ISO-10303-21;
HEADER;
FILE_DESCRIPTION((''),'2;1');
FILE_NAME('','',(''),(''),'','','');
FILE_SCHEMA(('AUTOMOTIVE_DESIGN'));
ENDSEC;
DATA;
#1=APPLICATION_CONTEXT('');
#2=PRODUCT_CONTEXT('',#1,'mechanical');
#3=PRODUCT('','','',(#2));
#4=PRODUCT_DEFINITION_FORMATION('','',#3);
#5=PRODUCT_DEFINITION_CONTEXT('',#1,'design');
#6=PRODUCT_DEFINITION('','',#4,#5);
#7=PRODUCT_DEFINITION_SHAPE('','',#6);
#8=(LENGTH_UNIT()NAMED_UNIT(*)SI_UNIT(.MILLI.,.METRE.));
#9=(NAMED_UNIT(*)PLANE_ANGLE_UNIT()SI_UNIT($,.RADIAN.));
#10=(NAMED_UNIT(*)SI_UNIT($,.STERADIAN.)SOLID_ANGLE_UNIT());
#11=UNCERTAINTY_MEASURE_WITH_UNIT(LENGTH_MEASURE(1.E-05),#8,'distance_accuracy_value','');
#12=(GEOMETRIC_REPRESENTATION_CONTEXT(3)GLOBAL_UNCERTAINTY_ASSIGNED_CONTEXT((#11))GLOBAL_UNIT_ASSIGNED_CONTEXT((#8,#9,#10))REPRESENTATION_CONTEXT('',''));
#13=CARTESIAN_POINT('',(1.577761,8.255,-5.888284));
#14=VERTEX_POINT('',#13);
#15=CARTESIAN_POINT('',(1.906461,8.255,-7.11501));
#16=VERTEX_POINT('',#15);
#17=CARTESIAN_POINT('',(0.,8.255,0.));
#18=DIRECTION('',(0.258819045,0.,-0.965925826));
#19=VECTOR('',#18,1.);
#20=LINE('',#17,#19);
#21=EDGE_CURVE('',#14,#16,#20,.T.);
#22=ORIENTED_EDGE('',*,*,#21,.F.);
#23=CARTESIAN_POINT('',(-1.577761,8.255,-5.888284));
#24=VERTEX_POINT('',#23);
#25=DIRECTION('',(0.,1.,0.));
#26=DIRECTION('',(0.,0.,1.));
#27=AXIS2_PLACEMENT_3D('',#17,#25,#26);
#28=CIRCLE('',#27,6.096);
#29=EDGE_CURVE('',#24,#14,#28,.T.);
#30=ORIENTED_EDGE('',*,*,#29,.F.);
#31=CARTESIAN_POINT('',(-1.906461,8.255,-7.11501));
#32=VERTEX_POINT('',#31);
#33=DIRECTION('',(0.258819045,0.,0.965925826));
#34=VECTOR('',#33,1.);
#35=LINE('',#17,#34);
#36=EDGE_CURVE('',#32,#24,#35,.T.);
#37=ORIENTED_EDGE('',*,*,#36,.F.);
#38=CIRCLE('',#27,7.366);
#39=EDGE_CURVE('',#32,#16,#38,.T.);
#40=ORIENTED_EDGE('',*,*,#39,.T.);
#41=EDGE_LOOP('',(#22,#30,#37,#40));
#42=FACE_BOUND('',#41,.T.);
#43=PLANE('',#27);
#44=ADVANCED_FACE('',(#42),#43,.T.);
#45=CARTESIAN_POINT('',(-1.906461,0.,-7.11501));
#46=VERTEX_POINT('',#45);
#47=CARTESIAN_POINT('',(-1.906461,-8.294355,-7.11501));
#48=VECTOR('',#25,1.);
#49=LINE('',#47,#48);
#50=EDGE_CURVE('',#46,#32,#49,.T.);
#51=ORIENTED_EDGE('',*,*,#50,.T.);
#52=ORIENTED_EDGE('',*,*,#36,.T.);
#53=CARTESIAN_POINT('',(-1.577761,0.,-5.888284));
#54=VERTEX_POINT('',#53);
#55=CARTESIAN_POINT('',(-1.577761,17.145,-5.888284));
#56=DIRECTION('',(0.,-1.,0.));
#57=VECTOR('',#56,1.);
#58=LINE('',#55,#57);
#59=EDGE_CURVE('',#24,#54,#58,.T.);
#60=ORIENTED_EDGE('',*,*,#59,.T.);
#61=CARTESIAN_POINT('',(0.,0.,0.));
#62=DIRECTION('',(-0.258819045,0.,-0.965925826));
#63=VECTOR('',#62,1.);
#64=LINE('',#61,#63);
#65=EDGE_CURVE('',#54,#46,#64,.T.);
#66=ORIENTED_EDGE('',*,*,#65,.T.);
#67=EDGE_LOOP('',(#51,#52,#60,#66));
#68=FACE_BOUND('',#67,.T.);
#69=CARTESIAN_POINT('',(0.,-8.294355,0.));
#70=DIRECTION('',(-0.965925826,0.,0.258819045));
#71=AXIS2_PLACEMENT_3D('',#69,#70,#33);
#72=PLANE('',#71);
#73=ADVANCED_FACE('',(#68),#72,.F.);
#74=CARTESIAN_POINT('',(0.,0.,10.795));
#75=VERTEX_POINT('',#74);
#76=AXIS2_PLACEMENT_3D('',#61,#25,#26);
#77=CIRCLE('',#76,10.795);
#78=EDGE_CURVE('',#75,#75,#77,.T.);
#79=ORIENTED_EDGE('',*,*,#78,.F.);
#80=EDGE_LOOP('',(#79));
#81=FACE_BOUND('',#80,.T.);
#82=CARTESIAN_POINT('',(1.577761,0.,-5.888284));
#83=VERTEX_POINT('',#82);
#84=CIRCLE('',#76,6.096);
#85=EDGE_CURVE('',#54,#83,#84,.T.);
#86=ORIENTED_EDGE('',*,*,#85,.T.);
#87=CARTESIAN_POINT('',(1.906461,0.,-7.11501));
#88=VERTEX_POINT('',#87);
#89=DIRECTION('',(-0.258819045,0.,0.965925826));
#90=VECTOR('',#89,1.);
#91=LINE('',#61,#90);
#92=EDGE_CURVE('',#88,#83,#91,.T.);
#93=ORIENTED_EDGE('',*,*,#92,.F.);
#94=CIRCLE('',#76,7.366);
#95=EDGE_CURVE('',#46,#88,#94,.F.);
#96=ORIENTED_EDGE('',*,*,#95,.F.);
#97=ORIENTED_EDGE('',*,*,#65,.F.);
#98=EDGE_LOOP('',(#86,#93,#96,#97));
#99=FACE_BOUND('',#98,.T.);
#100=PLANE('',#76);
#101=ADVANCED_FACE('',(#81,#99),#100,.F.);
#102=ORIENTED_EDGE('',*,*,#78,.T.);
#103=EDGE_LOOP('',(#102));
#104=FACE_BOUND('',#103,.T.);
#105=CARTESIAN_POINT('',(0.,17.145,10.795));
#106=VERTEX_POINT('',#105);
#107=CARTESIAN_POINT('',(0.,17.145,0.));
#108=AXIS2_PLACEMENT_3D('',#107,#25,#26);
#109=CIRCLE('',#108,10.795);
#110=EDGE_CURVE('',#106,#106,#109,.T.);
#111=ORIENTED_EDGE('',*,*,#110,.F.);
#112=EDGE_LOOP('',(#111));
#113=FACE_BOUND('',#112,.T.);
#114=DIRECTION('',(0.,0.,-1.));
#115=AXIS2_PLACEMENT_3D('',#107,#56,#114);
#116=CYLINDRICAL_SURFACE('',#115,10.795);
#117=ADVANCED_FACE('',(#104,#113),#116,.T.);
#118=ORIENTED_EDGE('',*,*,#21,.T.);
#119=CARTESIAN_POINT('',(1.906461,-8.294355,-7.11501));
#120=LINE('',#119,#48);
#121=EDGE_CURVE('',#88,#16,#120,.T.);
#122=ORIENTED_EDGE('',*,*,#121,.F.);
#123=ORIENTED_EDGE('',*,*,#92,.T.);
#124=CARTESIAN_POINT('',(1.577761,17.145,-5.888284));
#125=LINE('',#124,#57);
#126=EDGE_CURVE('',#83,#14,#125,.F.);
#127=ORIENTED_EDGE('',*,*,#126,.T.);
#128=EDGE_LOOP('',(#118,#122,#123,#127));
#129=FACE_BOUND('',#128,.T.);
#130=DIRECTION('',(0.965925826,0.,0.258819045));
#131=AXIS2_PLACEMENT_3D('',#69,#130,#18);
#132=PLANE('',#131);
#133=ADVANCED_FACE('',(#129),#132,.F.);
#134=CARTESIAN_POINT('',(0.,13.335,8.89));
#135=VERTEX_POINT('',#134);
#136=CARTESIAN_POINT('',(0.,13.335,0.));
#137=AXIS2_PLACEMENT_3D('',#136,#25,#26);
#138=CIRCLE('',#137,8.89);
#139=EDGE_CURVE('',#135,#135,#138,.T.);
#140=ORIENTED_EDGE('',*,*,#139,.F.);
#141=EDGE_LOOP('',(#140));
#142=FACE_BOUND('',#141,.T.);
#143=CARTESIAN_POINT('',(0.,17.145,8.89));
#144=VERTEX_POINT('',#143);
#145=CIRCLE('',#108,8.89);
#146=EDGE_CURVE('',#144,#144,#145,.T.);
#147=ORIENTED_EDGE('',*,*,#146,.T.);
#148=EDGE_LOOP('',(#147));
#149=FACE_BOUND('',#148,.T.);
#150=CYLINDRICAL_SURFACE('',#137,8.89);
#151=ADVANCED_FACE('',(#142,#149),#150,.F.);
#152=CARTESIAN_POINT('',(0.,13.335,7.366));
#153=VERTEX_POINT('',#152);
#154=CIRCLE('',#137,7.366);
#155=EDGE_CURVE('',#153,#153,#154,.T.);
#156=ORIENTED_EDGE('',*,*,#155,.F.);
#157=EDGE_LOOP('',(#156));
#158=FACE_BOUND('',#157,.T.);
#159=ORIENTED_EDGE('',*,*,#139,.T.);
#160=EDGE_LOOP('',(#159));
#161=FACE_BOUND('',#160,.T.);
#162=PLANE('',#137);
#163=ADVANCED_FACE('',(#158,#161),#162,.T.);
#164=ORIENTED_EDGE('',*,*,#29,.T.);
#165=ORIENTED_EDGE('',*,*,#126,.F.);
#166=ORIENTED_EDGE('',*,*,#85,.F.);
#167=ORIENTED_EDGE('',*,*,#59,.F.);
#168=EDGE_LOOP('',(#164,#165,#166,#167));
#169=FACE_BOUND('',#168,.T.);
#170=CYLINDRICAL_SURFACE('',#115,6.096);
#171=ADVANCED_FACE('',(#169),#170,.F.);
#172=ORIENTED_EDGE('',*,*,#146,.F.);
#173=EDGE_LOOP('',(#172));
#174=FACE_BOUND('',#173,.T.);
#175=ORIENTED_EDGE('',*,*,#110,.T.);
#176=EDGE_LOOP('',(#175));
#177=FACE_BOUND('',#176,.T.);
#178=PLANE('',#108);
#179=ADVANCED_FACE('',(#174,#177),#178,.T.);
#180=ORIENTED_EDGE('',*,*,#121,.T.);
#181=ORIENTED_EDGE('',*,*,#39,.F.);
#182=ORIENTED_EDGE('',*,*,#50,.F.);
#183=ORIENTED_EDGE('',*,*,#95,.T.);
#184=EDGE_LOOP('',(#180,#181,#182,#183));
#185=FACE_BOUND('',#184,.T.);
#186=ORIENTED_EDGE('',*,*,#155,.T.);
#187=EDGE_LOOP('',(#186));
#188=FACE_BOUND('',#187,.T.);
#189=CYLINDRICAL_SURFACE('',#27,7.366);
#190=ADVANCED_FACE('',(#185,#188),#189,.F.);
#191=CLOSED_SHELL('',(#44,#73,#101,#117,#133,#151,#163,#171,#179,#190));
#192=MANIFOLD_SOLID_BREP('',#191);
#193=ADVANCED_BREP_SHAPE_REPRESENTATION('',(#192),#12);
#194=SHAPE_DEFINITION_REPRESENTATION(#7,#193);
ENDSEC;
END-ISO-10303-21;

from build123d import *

# Parameters (mm, degrees)
SKETCH1_R           = 10.795
SKETCH1_R_2         = 6.096
BOSS_EXTRUDE1_DEPTH = 17.145
SKETCH2_R           = 8.89
CUT_EXTRUDE1_DEPTH  = 3.81
SKETCH3_R           = 7.366
SKETCH3_R_2         = 6.096
CUT_EXTRUDE2_DEPTH  = 5.08
CUT_EXTRUDE3_DEPTH  = 8.255


with BuildPart() as part:
    # Sketch1 → Boss-Extrude1 (new body)
    with BuildSketch(Plane(origin=(0, 0, 0), x_dir=(1, 0, 0), z_dir=(0, 1, 0))):
        Circle(SKETCH1_R)
        Circle(SKETCH1_R_2, mode=Mode.SUBTRACT)
    extrude(amount=BOSS_EXTRUDE1_DEPTH)

    # Sketch2 → Cut-Extrude1 (cut)
    with BuildSketch(Plane(origin=(0, 17.145, 0), x_dir=(1, 0, 0), z_dir=(0, 1, 0))):
        Circle(SKETCH2_R)
    extrude(amount=-CUT_EXTRUDE1_DEPTH, mode=Mode.SUBTRACT)

    # Sketch3 → Cut-Extrude2 (cut)
    with BuildSketch(Plane(origin=(0, 13.335, 0), x_dir=(1, 0, 0), z_dir=(0, 1, 0))):
        Circle(SKETCH3_R)
        Circle(SKETCH3_R_2, mode=Mode.SUBTRACT)
    extrude(amount=-CUT_EXTRUDE2_DEPTH, mode=Mode.SUBTRACT)

    # Sketch4 → Cut-Extrude3 (cut)
    with BuildSketch(Plane(origin=(0, 8.255, 0), x_dir=(1, 0, 0), z_dir=(0, 1, 0))):
        with BuildLine():
            Line((0, 0), (-1.906461086, 7.115009636))
            ThreePointArc((-1.906461086, 7.115009636), (0, 7.366), (1.906461086, 7.115009636))
            Line((1.906461086, 7.115009636), (0, 0))
        make_face()
    extrude(amount=-CUT_EXTRUDE3_DEPTH, mode=Mode.SUBTRACT)


solid = part.part
